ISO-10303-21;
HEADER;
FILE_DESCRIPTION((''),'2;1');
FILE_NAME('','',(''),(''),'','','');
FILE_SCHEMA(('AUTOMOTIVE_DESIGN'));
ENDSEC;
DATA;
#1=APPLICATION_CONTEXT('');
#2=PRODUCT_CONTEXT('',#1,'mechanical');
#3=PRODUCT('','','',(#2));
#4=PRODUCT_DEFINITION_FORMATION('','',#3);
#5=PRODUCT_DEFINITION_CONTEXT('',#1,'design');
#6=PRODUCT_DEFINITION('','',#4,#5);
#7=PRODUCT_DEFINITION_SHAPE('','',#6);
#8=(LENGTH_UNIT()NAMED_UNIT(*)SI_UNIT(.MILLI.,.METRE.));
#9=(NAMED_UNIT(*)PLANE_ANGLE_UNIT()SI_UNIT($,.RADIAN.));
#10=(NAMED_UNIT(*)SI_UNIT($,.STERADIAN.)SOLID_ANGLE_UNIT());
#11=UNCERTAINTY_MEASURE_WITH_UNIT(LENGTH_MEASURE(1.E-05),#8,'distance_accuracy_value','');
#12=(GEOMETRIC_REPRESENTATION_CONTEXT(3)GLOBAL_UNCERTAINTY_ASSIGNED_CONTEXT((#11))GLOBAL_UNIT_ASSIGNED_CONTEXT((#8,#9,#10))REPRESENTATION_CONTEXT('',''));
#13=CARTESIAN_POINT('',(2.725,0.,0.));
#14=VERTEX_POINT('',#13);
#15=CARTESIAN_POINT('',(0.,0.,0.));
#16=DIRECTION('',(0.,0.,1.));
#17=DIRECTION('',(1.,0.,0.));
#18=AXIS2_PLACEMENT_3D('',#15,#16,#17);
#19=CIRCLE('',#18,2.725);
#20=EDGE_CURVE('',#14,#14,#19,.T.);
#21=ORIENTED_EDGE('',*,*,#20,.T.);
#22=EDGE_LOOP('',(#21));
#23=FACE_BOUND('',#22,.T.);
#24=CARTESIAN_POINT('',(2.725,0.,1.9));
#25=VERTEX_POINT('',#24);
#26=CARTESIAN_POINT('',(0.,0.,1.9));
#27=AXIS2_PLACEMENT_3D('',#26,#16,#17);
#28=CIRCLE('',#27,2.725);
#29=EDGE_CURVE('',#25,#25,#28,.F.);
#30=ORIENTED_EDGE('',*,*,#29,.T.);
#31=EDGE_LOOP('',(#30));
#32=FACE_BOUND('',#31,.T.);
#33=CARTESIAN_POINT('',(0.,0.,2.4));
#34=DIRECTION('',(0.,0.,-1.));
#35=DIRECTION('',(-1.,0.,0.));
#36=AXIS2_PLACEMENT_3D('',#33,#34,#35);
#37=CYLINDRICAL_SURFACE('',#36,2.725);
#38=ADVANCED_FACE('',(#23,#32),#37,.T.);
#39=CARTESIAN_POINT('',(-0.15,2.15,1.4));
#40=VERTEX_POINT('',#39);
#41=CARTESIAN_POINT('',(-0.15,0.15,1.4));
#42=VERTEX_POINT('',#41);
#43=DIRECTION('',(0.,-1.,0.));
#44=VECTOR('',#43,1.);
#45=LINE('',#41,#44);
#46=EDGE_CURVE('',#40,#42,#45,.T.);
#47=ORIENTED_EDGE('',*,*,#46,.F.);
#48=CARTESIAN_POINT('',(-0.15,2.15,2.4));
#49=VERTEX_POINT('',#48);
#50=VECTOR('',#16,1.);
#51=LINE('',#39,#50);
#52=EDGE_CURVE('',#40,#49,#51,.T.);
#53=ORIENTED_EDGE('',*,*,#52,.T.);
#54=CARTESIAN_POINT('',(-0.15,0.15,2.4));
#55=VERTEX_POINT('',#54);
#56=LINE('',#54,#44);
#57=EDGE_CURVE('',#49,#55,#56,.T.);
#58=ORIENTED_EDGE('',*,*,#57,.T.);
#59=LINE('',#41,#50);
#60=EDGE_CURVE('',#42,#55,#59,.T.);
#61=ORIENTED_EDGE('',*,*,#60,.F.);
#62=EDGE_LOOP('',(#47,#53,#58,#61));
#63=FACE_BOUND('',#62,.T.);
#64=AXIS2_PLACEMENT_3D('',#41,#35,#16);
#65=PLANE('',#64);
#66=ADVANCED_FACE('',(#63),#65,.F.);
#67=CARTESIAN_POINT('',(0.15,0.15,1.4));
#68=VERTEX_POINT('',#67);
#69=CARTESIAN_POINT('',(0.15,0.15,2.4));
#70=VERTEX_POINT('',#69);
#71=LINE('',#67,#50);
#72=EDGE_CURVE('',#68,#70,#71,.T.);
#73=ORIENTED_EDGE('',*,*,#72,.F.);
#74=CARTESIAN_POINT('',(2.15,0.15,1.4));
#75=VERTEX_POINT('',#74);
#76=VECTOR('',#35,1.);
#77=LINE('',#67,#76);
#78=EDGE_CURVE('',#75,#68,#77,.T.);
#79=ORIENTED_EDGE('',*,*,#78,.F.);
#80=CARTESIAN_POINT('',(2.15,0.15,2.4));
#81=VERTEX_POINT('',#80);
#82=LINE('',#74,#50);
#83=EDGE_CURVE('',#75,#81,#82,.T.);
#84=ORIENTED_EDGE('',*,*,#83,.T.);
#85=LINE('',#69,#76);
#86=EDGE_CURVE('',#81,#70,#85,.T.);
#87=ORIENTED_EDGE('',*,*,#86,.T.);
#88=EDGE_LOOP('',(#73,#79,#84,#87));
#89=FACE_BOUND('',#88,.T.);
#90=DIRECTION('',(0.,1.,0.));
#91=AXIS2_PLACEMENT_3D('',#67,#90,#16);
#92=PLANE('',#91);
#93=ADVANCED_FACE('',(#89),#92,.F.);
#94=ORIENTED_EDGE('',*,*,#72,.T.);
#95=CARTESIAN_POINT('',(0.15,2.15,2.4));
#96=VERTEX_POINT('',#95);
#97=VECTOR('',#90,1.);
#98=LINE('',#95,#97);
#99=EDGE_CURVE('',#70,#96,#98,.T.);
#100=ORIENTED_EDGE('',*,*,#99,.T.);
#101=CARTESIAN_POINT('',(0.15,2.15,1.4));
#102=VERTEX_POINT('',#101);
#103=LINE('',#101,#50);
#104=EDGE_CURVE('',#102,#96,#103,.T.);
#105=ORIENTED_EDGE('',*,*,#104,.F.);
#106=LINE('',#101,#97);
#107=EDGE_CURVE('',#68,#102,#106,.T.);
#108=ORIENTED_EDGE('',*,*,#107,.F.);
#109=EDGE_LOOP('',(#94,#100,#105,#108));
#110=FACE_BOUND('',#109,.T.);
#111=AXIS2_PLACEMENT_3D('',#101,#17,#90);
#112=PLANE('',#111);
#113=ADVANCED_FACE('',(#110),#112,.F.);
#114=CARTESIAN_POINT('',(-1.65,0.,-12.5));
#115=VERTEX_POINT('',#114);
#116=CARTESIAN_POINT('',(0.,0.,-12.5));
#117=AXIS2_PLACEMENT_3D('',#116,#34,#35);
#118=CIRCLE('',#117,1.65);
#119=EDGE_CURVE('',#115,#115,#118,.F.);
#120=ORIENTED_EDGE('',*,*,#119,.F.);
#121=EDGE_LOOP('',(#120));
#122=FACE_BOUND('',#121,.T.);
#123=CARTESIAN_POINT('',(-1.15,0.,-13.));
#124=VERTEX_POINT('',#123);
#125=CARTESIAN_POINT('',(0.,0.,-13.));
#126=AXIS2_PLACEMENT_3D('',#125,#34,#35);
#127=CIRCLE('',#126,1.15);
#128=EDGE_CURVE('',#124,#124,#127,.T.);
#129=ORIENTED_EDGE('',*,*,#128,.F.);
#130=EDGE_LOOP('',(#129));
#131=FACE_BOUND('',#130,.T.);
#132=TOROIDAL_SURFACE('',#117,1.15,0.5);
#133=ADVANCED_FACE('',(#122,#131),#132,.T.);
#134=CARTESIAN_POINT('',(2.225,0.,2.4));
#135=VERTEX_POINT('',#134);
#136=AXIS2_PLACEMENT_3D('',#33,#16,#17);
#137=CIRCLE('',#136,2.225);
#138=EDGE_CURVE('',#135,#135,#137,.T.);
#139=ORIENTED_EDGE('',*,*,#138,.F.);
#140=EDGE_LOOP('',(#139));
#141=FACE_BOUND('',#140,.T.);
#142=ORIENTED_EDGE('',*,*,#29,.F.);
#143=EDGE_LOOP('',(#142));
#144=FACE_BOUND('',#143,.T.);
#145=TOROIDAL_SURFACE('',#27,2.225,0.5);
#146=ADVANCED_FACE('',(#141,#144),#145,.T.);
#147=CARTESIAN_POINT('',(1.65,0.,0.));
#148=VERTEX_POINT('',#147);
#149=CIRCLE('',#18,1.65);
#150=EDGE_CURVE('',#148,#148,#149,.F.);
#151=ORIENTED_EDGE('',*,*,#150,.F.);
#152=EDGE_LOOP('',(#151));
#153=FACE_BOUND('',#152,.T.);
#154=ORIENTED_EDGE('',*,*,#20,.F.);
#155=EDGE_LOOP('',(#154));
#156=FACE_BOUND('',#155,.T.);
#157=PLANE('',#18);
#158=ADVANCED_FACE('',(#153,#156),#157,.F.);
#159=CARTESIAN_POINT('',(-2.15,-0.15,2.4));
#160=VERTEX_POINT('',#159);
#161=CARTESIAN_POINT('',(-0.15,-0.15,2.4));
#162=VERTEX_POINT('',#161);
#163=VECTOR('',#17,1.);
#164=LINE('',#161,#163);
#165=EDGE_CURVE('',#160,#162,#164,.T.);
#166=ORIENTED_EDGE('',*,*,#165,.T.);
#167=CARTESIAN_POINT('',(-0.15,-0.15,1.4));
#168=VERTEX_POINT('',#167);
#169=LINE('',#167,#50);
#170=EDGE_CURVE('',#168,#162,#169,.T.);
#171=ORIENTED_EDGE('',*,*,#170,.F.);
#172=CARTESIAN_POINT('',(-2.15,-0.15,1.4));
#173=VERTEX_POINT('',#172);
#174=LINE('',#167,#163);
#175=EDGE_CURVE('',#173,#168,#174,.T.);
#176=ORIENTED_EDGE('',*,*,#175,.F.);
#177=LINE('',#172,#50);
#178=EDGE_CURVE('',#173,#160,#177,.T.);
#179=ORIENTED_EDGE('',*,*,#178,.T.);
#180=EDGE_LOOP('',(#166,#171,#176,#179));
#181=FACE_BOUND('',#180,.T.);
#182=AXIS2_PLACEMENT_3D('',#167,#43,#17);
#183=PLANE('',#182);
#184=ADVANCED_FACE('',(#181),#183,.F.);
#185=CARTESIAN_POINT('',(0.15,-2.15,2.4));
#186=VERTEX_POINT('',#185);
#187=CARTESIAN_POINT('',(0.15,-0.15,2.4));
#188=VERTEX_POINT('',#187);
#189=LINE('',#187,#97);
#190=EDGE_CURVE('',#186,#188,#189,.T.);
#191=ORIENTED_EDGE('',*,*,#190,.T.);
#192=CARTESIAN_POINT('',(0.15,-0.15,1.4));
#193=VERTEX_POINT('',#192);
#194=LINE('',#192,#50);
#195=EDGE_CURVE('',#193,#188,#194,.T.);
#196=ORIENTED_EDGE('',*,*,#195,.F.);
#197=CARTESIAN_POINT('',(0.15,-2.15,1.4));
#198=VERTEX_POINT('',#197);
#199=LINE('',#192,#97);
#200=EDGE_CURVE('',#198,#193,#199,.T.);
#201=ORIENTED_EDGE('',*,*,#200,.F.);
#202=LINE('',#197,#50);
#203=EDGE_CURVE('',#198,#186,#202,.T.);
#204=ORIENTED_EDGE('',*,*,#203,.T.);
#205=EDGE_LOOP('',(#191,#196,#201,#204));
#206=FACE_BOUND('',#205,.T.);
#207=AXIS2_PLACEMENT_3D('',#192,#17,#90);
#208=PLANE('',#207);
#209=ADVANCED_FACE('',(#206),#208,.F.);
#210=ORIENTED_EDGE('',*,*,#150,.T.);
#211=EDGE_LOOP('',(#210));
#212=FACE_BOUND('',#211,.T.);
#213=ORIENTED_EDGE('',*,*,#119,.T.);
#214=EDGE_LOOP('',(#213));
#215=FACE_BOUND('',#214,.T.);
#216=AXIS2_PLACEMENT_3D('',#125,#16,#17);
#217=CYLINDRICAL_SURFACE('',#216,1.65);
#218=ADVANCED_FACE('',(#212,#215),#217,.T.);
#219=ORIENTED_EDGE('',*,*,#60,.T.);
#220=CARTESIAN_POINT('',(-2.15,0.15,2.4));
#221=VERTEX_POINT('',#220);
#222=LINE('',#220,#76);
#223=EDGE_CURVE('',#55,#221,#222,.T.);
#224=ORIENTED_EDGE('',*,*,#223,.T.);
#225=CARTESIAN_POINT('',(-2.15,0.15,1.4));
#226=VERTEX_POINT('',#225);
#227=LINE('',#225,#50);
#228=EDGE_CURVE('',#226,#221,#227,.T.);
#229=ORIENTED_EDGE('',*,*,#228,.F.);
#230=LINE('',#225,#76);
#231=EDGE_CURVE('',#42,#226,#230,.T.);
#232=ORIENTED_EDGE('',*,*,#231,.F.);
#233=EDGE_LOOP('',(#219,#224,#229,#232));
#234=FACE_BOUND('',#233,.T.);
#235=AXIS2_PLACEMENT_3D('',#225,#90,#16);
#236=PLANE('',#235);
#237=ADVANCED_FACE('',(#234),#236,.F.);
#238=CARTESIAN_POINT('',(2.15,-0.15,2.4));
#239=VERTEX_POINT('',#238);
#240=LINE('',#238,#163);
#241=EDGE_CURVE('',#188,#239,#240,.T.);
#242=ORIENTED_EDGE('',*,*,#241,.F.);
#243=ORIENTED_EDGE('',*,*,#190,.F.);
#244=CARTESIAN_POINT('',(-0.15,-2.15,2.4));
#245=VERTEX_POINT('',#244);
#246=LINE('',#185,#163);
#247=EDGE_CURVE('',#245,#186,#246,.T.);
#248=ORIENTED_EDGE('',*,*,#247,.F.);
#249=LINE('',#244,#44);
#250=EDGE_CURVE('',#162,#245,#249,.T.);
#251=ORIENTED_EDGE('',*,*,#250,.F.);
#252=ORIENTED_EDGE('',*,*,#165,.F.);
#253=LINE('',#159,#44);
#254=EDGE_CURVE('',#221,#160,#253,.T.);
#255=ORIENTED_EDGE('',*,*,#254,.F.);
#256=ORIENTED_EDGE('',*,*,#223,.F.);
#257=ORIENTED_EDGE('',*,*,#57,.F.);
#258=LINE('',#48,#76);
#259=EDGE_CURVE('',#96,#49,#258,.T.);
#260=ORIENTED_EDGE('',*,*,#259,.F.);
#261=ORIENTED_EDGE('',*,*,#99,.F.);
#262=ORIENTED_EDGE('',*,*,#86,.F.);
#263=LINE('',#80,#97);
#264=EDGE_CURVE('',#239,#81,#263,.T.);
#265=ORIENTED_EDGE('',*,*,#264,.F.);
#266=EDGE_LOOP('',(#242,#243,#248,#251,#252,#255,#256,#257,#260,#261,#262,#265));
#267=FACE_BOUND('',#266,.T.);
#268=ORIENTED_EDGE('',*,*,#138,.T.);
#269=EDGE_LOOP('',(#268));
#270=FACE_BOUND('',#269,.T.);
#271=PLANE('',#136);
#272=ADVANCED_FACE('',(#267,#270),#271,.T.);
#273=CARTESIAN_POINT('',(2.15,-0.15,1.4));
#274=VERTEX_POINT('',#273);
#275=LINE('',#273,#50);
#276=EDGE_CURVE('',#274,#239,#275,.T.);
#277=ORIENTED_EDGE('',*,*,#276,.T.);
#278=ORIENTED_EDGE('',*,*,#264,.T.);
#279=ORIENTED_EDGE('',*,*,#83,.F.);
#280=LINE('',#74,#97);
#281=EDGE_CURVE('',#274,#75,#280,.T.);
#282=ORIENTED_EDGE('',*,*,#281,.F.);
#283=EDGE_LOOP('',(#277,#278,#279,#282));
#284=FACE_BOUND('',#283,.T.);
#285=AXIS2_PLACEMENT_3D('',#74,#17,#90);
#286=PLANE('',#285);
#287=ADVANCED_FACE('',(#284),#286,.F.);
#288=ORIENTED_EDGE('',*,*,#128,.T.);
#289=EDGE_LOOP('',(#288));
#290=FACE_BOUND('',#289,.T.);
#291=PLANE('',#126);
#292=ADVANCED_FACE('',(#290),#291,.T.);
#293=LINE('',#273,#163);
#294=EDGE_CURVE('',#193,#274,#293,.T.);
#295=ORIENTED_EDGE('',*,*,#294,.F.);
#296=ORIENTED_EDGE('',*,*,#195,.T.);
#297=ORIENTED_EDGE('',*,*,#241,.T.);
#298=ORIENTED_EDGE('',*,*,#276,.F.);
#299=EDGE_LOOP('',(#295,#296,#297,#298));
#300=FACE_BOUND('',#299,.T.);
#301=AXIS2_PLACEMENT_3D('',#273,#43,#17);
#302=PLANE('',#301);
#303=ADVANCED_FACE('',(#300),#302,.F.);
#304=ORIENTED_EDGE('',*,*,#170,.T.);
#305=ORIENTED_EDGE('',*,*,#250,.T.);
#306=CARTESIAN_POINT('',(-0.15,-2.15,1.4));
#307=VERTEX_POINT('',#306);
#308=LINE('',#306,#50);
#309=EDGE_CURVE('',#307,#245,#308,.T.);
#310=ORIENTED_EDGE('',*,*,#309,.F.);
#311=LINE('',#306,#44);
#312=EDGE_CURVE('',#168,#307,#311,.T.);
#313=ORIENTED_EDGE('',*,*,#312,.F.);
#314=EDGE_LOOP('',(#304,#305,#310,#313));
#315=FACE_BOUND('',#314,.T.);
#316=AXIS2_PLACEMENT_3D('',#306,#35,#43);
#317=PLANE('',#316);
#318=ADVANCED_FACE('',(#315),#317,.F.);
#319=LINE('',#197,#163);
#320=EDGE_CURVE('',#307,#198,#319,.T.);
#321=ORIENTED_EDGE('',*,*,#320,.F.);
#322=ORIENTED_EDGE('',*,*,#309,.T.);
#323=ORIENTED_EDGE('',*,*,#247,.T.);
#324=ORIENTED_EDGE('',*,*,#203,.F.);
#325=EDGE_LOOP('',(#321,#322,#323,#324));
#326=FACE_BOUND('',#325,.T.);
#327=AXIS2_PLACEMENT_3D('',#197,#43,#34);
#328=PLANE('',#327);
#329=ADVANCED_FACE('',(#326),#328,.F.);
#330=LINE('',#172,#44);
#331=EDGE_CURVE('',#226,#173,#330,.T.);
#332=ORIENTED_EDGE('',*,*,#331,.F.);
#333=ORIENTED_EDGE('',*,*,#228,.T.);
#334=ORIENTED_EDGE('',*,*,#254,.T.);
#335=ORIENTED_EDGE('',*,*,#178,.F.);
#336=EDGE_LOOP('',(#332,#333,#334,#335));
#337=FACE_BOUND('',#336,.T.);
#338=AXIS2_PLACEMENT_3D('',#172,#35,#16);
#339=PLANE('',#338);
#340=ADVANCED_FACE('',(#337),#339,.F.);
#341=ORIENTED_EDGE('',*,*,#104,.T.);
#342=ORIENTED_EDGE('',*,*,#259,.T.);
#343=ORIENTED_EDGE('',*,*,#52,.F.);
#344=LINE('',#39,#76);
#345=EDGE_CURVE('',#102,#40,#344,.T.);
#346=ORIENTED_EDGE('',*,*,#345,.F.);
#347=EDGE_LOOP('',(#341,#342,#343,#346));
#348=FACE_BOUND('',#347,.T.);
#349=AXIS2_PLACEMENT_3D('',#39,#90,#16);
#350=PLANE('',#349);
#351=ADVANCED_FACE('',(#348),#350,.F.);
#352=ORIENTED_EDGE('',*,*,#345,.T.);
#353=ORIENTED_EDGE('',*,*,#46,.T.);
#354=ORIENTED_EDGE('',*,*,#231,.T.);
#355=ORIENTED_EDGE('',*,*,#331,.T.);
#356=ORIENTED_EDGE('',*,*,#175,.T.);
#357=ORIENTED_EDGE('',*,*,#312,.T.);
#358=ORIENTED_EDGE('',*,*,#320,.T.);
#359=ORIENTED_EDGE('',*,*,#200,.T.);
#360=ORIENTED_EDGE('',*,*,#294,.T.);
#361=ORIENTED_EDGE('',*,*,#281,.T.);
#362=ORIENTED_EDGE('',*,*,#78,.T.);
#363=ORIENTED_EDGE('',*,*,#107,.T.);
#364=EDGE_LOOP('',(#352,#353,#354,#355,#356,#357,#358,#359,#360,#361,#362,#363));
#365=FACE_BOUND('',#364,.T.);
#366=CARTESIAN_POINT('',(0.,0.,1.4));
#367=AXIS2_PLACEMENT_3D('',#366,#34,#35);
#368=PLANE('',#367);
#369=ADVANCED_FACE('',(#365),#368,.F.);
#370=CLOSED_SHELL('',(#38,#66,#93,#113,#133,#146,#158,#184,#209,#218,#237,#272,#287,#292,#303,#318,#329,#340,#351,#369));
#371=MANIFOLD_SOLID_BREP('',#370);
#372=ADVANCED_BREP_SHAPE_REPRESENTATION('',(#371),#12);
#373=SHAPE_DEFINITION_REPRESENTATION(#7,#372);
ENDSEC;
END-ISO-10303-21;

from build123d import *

# Parameters (mm, degrees)
SKICA1_R                 = 2.725
P_IDAT_VYSUNUT_M1_DEPTH  = 2.4
SKICA2_R                 = 1.65
P_IDAT_VYSUNUT_M3_DEPTH  = 13
ODEBRAT_VYSUNUT_M1_DEPTH = 1
ZAOBLIT1_R               = 0.5


with BuildPart() as part:
    # Skica1 → Přidat vysunutím1 (new body)
    with BuildSketch(Plane.XY):
        Circle(SKICA1_R)
    extrude(amount=P_IDAT_VYSUNUT_M1_DEPTH)

    # Skica2 → Přidat vysunutím3 (add)
    with BuildSketch(Plane(origin=(0, 0, 0), x_dir=(-1, 0, 0), z_dir=(0, 0, -1))):
        Circle(SKICA2_R)
    extrude(amount=P_IDAT_VYSUNUT_M3_DEPTH)

    # Skica4 → Odebrat vysunutím1 (cut)
    with BuildSketch(Plane.XY.offset(2.4)):
        Polygon((-0.15, 0.15), (-0.15, 2.15), (0.15, 2.15), (0.15, 0.15), (2.15, 0.15), (2.15, -0.15), (0.15, -0.15), (0.15, -2.15), (-0.15, -2.15), (-0.15, -0.15), (-2.15, -0.15), (-2.15, 0.15), align=None)
    extrude(amount=-ODEBRAT_VYSUNUT_M1_DEPTH, mode=Mode.SUBTRACT)

    # Zaoblit1
    zaoblit1_edges = [part.edges().sort_by_distance(p)[0] for p in [
        (-2.725, 0, 2.4),
        (1.65, 0, -13),
    ]]
    fillet(zaoblit1_edges, radius=ZAOBLIT1_R)


solid = part.part
